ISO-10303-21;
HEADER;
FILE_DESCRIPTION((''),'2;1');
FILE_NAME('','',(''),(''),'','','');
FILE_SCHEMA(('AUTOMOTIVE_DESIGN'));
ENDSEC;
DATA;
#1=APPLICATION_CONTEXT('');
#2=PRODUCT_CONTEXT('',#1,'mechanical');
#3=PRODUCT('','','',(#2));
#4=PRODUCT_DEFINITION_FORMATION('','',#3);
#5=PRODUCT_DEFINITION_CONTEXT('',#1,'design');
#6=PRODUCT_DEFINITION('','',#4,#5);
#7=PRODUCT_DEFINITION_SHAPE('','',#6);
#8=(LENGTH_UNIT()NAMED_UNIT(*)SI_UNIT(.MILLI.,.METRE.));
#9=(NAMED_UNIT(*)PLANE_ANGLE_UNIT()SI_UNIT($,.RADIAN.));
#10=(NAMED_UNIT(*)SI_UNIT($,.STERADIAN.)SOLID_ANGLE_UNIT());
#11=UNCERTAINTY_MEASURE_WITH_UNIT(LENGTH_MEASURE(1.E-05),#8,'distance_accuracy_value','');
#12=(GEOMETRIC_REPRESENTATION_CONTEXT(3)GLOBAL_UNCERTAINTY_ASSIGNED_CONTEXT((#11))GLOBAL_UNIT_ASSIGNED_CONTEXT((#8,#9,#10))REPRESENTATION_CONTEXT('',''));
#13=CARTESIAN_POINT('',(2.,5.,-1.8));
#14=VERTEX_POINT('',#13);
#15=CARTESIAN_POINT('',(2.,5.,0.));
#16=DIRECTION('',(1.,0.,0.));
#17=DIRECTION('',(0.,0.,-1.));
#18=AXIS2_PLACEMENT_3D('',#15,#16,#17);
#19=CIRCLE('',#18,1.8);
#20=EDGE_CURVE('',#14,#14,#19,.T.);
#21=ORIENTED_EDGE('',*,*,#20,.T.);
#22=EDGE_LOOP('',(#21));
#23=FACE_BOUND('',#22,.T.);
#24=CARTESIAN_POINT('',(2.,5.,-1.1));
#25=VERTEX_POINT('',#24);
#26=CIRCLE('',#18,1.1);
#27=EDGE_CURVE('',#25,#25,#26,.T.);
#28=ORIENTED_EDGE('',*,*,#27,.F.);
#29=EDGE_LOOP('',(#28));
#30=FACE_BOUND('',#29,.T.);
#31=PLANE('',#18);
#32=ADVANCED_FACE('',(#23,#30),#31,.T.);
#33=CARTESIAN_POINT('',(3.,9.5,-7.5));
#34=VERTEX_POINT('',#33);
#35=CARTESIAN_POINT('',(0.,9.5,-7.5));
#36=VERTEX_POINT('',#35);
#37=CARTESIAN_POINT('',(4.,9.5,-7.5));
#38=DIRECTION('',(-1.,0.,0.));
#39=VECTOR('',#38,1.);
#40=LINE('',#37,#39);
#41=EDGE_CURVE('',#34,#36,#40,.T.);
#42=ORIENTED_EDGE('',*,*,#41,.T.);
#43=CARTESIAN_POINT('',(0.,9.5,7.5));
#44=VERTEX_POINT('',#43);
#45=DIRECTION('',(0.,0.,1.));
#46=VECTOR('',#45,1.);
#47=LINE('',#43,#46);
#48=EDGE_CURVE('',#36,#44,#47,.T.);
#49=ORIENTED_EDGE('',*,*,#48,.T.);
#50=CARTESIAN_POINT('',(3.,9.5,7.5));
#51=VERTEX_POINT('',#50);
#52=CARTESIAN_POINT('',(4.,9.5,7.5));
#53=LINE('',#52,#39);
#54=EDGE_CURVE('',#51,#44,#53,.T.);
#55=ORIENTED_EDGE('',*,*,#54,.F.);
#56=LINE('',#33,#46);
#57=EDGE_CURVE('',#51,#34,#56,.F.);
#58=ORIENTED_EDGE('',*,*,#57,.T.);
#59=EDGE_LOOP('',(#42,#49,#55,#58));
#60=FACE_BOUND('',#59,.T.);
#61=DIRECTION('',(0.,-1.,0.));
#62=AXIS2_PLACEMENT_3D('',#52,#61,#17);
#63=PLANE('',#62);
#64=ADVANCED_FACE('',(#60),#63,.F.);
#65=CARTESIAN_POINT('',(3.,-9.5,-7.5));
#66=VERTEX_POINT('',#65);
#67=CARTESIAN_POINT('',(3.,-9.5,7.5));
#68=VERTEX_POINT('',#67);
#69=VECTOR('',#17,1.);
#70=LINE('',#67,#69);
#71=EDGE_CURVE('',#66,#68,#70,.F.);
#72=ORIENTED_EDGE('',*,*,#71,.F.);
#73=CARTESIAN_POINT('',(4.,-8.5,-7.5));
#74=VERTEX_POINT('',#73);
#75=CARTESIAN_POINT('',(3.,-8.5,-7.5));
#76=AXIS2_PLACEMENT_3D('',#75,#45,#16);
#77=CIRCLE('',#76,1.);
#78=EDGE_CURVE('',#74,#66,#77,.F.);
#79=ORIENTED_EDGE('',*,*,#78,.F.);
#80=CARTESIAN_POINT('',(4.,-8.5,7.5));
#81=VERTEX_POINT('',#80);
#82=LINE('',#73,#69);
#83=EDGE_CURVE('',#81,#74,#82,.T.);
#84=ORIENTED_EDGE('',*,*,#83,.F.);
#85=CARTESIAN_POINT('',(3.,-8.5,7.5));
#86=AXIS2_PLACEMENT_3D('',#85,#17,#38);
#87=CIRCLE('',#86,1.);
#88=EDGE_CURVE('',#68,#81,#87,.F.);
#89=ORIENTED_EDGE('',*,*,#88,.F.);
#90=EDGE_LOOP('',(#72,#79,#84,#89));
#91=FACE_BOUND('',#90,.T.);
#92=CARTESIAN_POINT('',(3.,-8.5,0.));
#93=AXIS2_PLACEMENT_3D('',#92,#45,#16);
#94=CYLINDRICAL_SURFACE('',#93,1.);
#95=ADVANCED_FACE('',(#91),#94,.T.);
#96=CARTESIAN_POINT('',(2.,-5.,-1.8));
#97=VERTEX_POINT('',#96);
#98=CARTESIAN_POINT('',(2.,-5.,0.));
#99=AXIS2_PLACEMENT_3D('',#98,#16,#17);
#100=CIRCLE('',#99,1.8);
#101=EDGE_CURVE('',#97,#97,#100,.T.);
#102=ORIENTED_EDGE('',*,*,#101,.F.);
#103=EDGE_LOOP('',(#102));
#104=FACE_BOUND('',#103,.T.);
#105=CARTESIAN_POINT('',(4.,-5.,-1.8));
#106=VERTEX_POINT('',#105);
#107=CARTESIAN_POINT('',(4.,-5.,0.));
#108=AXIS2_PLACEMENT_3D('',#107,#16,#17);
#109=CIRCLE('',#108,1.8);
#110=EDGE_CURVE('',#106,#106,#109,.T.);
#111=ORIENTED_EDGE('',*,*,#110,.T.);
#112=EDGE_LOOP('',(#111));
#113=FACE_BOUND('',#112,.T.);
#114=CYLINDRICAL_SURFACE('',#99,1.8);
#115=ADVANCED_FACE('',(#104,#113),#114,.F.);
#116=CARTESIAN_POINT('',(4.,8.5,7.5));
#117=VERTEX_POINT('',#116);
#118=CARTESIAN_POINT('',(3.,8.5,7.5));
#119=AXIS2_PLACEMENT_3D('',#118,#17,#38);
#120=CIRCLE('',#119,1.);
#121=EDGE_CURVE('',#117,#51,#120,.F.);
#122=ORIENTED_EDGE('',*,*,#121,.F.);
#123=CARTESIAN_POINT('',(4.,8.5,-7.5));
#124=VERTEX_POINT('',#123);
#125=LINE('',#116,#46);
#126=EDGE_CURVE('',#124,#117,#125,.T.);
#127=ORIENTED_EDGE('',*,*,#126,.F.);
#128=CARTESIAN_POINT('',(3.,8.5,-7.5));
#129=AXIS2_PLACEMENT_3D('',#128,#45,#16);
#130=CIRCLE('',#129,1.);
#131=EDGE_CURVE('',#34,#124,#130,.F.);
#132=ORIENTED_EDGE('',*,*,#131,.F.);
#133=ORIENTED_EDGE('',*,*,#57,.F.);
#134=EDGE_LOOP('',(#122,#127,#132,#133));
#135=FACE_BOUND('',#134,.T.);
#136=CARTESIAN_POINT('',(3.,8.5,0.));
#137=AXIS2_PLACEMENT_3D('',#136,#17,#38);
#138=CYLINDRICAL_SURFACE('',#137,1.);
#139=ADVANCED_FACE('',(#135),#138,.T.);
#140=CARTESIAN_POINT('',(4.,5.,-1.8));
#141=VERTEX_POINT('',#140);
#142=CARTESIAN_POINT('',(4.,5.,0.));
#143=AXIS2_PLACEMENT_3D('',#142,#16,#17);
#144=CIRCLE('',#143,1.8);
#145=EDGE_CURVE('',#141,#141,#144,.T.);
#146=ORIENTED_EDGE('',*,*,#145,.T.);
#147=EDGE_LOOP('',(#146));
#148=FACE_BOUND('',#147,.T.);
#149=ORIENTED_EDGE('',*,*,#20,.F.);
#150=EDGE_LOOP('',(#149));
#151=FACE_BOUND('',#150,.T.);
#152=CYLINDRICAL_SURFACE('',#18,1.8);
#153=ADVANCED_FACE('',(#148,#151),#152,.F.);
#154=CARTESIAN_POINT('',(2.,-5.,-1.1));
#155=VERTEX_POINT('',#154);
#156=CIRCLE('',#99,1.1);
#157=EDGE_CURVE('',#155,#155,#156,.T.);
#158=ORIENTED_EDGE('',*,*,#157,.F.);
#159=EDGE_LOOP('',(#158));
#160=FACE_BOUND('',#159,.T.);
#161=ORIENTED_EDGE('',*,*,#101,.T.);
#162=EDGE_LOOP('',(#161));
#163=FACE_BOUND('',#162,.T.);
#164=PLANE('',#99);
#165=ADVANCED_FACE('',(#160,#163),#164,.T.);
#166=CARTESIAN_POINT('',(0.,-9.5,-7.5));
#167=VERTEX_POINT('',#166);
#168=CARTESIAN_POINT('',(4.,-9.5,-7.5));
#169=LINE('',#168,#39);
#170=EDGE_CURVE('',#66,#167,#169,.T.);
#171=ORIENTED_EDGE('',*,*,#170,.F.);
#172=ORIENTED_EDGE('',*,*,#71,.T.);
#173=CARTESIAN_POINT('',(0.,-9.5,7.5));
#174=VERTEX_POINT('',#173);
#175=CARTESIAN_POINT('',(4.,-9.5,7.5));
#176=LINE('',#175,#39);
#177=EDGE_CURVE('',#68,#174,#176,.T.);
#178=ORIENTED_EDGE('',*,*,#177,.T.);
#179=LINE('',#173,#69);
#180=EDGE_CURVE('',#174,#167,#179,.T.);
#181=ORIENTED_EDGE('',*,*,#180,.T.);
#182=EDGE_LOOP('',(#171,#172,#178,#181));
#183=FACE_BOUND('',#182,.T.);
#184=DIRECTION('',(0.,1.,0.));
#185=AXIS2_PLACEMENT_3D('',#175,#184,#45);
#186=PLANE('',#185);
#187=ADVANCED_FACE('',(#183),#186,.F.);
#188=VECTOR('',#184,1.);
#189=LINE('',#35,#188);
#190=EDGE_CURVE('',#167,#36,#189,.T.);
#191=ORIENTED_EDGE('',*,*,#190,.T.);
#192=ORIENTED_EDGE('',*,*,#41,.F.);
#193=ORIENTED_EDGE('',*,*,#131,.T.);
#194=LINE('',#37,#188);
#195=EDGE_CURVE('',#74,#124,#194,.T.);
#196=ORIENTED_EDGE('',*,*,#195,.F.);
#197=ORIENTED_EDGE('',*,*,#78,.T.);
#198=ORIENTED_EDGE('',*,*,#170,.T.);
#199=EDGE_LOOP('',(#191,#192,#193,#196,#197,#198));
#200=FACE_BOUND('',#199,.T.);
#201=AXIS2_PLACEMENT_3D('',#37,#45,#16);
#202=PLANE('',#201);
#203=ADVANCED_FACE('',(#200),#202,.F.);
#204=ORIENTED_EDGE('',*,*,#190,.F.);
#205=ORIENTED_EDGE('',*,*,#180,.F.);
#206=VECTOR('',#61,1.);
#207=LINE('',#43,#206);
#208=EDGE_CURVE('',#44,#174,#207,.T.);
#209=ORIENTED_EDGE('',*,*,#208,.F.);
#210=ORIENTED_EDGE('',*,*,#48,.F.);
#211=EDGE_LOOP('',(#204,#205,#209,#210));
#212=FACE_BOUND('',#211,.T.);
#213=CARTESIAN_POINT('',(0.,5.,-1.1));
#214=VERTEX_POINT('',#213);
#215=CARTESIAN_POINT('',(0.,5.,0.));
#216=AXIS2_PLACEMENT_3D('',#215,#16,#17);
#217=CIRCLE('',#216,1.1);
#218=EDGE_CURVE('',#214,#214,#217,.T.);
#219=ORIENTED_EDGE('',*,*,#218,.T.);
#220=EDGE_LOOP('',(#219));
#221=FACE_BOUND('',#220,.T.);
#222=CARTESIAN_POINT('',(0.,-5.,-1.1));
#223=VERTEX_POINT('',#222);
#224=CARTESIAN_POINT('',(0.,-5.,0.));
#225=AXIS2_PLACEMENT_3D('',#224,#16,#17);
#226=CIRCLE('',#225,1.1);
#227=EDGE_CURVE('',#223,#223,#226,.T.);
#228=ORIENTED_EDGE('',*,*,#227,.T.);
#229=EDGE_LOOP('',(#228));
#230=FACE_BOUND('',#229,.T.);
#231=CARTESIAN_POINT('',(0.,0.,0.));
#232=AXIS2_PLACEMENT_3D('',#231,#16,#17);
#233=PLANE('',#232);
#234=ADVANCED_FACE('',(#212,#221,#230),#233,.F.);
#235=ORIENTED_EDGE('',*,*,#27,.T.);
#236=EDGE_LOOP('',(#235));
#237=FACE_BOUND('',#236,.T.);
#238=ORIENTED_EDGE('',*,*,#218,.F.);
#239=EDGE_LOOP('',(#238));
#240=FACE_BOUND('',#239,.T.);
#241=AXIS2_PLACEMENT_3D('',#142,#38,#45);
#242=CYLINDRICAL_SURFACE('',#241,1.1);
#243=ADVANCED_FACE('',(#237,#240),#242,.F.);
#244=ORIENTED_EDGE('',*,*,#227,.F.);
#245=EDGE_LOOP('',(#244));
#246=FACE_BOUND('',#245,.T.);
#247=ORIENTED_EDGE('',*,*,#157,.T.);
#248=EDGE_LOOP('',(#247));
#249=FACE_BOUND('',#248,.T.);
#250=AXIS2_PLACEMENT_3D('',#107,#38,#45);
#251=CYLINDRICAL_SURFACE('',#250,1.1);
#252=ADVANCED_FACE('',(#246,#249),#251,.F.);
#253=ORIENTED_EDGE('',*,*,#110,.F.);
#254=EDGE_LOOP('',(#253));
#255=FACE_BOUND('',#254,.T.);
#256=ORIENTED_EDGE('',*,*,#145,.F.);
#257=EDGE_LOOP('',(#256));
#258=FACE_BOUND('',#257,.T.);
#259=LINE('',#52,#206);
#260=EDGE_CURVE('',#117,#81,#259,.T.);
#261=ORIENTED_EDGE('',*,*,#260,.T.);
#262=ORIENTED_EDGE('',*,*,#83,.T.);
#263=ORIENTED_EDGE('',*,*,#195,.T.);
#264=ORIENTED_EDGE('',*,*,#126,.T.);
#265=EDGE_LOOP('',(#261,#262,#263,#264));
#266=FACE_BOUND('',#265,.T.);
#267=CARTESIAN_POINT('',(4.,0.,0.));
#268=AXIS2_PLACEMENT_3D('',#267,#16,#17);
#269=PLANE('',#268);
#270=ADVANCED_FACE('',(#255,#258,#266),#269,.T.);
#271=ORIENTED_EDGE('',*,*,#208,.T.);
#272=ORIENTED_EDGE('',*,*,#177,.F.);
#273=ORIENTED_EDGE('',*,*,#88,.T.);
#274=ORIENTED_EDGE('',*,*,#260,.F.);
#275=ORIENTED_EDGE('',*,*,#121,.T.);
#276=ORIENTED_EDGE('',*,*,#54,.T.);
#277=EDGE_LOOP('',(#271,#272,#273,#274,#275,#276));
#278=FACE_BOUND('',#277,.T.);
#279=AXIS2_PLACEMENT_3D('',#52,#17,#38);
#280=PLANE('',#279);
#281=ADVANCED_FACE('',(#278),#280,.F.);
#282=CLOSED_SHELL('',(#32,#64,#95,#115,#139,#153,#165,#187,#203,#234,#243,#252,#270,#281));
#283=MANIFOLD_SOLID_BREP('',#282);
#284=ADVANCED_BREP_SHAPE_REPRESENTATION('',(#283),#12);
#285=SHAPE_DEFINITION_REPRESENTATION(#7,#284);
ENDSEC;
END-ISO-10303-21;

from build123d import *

# Parameters (mm, degrees)
SKETCH_1_W          = 15
SKETCH_1_H          = 19
SKETCH_1_R          = 1.1
EXTRUDE_1_DEPTH     = 4
SKETCH_2_R          = 1.8
CUT_EXTRUDE_1_DEPTH = 2
FILLET_1_R          = 1


with BuildPart() as part:
    # Эскиз1 → Бобышка-Вытянуть1 (new body)
    with BuildSketch(Plane(origin=(0, 0, 0), x_dir=(0, 0, -1), z_dir=(1, 0, 0))):
        Rectangle(SKETCH_1_W, SKETCH_1_H)
        with Locations((0, 5)):
            Circle(SKETCH_1_R, mode=Mode.SUBTRACT)
        with Locations((0, -5)):
            Circle(SKETCH_1_R, mode=Mode.SUBTRACT)
    extrude(amount=EXTRUDE_1_DEPTH)

    # Эскиз2 → Вырез-Вытянуть1 (cut)
    with BuildSketch(Plane(origin=(4, 0, 0), x_dir=(0, 0, -1), z_dir=(1, 0, 0))):
        with Locations((0, 5)):
            Circle(SKETCH_2_R)
        with Locations((0, -5)):
            Circle(SKETCH_2_R)
    extrude(amount=-CUT_EXTRUDE_1_DEPTH, mode=Mode.SUBTRACT)

    # Скругление1
    fillet_1_edges = [part.edges().sort_by_distance(p)[0] for p in [
        (4, -9.5, 0),
        (4, 9.5, 0),
    ]]
    fillet(fillet_1_edges, radius=FILLET_1_R)


solid = part.part
